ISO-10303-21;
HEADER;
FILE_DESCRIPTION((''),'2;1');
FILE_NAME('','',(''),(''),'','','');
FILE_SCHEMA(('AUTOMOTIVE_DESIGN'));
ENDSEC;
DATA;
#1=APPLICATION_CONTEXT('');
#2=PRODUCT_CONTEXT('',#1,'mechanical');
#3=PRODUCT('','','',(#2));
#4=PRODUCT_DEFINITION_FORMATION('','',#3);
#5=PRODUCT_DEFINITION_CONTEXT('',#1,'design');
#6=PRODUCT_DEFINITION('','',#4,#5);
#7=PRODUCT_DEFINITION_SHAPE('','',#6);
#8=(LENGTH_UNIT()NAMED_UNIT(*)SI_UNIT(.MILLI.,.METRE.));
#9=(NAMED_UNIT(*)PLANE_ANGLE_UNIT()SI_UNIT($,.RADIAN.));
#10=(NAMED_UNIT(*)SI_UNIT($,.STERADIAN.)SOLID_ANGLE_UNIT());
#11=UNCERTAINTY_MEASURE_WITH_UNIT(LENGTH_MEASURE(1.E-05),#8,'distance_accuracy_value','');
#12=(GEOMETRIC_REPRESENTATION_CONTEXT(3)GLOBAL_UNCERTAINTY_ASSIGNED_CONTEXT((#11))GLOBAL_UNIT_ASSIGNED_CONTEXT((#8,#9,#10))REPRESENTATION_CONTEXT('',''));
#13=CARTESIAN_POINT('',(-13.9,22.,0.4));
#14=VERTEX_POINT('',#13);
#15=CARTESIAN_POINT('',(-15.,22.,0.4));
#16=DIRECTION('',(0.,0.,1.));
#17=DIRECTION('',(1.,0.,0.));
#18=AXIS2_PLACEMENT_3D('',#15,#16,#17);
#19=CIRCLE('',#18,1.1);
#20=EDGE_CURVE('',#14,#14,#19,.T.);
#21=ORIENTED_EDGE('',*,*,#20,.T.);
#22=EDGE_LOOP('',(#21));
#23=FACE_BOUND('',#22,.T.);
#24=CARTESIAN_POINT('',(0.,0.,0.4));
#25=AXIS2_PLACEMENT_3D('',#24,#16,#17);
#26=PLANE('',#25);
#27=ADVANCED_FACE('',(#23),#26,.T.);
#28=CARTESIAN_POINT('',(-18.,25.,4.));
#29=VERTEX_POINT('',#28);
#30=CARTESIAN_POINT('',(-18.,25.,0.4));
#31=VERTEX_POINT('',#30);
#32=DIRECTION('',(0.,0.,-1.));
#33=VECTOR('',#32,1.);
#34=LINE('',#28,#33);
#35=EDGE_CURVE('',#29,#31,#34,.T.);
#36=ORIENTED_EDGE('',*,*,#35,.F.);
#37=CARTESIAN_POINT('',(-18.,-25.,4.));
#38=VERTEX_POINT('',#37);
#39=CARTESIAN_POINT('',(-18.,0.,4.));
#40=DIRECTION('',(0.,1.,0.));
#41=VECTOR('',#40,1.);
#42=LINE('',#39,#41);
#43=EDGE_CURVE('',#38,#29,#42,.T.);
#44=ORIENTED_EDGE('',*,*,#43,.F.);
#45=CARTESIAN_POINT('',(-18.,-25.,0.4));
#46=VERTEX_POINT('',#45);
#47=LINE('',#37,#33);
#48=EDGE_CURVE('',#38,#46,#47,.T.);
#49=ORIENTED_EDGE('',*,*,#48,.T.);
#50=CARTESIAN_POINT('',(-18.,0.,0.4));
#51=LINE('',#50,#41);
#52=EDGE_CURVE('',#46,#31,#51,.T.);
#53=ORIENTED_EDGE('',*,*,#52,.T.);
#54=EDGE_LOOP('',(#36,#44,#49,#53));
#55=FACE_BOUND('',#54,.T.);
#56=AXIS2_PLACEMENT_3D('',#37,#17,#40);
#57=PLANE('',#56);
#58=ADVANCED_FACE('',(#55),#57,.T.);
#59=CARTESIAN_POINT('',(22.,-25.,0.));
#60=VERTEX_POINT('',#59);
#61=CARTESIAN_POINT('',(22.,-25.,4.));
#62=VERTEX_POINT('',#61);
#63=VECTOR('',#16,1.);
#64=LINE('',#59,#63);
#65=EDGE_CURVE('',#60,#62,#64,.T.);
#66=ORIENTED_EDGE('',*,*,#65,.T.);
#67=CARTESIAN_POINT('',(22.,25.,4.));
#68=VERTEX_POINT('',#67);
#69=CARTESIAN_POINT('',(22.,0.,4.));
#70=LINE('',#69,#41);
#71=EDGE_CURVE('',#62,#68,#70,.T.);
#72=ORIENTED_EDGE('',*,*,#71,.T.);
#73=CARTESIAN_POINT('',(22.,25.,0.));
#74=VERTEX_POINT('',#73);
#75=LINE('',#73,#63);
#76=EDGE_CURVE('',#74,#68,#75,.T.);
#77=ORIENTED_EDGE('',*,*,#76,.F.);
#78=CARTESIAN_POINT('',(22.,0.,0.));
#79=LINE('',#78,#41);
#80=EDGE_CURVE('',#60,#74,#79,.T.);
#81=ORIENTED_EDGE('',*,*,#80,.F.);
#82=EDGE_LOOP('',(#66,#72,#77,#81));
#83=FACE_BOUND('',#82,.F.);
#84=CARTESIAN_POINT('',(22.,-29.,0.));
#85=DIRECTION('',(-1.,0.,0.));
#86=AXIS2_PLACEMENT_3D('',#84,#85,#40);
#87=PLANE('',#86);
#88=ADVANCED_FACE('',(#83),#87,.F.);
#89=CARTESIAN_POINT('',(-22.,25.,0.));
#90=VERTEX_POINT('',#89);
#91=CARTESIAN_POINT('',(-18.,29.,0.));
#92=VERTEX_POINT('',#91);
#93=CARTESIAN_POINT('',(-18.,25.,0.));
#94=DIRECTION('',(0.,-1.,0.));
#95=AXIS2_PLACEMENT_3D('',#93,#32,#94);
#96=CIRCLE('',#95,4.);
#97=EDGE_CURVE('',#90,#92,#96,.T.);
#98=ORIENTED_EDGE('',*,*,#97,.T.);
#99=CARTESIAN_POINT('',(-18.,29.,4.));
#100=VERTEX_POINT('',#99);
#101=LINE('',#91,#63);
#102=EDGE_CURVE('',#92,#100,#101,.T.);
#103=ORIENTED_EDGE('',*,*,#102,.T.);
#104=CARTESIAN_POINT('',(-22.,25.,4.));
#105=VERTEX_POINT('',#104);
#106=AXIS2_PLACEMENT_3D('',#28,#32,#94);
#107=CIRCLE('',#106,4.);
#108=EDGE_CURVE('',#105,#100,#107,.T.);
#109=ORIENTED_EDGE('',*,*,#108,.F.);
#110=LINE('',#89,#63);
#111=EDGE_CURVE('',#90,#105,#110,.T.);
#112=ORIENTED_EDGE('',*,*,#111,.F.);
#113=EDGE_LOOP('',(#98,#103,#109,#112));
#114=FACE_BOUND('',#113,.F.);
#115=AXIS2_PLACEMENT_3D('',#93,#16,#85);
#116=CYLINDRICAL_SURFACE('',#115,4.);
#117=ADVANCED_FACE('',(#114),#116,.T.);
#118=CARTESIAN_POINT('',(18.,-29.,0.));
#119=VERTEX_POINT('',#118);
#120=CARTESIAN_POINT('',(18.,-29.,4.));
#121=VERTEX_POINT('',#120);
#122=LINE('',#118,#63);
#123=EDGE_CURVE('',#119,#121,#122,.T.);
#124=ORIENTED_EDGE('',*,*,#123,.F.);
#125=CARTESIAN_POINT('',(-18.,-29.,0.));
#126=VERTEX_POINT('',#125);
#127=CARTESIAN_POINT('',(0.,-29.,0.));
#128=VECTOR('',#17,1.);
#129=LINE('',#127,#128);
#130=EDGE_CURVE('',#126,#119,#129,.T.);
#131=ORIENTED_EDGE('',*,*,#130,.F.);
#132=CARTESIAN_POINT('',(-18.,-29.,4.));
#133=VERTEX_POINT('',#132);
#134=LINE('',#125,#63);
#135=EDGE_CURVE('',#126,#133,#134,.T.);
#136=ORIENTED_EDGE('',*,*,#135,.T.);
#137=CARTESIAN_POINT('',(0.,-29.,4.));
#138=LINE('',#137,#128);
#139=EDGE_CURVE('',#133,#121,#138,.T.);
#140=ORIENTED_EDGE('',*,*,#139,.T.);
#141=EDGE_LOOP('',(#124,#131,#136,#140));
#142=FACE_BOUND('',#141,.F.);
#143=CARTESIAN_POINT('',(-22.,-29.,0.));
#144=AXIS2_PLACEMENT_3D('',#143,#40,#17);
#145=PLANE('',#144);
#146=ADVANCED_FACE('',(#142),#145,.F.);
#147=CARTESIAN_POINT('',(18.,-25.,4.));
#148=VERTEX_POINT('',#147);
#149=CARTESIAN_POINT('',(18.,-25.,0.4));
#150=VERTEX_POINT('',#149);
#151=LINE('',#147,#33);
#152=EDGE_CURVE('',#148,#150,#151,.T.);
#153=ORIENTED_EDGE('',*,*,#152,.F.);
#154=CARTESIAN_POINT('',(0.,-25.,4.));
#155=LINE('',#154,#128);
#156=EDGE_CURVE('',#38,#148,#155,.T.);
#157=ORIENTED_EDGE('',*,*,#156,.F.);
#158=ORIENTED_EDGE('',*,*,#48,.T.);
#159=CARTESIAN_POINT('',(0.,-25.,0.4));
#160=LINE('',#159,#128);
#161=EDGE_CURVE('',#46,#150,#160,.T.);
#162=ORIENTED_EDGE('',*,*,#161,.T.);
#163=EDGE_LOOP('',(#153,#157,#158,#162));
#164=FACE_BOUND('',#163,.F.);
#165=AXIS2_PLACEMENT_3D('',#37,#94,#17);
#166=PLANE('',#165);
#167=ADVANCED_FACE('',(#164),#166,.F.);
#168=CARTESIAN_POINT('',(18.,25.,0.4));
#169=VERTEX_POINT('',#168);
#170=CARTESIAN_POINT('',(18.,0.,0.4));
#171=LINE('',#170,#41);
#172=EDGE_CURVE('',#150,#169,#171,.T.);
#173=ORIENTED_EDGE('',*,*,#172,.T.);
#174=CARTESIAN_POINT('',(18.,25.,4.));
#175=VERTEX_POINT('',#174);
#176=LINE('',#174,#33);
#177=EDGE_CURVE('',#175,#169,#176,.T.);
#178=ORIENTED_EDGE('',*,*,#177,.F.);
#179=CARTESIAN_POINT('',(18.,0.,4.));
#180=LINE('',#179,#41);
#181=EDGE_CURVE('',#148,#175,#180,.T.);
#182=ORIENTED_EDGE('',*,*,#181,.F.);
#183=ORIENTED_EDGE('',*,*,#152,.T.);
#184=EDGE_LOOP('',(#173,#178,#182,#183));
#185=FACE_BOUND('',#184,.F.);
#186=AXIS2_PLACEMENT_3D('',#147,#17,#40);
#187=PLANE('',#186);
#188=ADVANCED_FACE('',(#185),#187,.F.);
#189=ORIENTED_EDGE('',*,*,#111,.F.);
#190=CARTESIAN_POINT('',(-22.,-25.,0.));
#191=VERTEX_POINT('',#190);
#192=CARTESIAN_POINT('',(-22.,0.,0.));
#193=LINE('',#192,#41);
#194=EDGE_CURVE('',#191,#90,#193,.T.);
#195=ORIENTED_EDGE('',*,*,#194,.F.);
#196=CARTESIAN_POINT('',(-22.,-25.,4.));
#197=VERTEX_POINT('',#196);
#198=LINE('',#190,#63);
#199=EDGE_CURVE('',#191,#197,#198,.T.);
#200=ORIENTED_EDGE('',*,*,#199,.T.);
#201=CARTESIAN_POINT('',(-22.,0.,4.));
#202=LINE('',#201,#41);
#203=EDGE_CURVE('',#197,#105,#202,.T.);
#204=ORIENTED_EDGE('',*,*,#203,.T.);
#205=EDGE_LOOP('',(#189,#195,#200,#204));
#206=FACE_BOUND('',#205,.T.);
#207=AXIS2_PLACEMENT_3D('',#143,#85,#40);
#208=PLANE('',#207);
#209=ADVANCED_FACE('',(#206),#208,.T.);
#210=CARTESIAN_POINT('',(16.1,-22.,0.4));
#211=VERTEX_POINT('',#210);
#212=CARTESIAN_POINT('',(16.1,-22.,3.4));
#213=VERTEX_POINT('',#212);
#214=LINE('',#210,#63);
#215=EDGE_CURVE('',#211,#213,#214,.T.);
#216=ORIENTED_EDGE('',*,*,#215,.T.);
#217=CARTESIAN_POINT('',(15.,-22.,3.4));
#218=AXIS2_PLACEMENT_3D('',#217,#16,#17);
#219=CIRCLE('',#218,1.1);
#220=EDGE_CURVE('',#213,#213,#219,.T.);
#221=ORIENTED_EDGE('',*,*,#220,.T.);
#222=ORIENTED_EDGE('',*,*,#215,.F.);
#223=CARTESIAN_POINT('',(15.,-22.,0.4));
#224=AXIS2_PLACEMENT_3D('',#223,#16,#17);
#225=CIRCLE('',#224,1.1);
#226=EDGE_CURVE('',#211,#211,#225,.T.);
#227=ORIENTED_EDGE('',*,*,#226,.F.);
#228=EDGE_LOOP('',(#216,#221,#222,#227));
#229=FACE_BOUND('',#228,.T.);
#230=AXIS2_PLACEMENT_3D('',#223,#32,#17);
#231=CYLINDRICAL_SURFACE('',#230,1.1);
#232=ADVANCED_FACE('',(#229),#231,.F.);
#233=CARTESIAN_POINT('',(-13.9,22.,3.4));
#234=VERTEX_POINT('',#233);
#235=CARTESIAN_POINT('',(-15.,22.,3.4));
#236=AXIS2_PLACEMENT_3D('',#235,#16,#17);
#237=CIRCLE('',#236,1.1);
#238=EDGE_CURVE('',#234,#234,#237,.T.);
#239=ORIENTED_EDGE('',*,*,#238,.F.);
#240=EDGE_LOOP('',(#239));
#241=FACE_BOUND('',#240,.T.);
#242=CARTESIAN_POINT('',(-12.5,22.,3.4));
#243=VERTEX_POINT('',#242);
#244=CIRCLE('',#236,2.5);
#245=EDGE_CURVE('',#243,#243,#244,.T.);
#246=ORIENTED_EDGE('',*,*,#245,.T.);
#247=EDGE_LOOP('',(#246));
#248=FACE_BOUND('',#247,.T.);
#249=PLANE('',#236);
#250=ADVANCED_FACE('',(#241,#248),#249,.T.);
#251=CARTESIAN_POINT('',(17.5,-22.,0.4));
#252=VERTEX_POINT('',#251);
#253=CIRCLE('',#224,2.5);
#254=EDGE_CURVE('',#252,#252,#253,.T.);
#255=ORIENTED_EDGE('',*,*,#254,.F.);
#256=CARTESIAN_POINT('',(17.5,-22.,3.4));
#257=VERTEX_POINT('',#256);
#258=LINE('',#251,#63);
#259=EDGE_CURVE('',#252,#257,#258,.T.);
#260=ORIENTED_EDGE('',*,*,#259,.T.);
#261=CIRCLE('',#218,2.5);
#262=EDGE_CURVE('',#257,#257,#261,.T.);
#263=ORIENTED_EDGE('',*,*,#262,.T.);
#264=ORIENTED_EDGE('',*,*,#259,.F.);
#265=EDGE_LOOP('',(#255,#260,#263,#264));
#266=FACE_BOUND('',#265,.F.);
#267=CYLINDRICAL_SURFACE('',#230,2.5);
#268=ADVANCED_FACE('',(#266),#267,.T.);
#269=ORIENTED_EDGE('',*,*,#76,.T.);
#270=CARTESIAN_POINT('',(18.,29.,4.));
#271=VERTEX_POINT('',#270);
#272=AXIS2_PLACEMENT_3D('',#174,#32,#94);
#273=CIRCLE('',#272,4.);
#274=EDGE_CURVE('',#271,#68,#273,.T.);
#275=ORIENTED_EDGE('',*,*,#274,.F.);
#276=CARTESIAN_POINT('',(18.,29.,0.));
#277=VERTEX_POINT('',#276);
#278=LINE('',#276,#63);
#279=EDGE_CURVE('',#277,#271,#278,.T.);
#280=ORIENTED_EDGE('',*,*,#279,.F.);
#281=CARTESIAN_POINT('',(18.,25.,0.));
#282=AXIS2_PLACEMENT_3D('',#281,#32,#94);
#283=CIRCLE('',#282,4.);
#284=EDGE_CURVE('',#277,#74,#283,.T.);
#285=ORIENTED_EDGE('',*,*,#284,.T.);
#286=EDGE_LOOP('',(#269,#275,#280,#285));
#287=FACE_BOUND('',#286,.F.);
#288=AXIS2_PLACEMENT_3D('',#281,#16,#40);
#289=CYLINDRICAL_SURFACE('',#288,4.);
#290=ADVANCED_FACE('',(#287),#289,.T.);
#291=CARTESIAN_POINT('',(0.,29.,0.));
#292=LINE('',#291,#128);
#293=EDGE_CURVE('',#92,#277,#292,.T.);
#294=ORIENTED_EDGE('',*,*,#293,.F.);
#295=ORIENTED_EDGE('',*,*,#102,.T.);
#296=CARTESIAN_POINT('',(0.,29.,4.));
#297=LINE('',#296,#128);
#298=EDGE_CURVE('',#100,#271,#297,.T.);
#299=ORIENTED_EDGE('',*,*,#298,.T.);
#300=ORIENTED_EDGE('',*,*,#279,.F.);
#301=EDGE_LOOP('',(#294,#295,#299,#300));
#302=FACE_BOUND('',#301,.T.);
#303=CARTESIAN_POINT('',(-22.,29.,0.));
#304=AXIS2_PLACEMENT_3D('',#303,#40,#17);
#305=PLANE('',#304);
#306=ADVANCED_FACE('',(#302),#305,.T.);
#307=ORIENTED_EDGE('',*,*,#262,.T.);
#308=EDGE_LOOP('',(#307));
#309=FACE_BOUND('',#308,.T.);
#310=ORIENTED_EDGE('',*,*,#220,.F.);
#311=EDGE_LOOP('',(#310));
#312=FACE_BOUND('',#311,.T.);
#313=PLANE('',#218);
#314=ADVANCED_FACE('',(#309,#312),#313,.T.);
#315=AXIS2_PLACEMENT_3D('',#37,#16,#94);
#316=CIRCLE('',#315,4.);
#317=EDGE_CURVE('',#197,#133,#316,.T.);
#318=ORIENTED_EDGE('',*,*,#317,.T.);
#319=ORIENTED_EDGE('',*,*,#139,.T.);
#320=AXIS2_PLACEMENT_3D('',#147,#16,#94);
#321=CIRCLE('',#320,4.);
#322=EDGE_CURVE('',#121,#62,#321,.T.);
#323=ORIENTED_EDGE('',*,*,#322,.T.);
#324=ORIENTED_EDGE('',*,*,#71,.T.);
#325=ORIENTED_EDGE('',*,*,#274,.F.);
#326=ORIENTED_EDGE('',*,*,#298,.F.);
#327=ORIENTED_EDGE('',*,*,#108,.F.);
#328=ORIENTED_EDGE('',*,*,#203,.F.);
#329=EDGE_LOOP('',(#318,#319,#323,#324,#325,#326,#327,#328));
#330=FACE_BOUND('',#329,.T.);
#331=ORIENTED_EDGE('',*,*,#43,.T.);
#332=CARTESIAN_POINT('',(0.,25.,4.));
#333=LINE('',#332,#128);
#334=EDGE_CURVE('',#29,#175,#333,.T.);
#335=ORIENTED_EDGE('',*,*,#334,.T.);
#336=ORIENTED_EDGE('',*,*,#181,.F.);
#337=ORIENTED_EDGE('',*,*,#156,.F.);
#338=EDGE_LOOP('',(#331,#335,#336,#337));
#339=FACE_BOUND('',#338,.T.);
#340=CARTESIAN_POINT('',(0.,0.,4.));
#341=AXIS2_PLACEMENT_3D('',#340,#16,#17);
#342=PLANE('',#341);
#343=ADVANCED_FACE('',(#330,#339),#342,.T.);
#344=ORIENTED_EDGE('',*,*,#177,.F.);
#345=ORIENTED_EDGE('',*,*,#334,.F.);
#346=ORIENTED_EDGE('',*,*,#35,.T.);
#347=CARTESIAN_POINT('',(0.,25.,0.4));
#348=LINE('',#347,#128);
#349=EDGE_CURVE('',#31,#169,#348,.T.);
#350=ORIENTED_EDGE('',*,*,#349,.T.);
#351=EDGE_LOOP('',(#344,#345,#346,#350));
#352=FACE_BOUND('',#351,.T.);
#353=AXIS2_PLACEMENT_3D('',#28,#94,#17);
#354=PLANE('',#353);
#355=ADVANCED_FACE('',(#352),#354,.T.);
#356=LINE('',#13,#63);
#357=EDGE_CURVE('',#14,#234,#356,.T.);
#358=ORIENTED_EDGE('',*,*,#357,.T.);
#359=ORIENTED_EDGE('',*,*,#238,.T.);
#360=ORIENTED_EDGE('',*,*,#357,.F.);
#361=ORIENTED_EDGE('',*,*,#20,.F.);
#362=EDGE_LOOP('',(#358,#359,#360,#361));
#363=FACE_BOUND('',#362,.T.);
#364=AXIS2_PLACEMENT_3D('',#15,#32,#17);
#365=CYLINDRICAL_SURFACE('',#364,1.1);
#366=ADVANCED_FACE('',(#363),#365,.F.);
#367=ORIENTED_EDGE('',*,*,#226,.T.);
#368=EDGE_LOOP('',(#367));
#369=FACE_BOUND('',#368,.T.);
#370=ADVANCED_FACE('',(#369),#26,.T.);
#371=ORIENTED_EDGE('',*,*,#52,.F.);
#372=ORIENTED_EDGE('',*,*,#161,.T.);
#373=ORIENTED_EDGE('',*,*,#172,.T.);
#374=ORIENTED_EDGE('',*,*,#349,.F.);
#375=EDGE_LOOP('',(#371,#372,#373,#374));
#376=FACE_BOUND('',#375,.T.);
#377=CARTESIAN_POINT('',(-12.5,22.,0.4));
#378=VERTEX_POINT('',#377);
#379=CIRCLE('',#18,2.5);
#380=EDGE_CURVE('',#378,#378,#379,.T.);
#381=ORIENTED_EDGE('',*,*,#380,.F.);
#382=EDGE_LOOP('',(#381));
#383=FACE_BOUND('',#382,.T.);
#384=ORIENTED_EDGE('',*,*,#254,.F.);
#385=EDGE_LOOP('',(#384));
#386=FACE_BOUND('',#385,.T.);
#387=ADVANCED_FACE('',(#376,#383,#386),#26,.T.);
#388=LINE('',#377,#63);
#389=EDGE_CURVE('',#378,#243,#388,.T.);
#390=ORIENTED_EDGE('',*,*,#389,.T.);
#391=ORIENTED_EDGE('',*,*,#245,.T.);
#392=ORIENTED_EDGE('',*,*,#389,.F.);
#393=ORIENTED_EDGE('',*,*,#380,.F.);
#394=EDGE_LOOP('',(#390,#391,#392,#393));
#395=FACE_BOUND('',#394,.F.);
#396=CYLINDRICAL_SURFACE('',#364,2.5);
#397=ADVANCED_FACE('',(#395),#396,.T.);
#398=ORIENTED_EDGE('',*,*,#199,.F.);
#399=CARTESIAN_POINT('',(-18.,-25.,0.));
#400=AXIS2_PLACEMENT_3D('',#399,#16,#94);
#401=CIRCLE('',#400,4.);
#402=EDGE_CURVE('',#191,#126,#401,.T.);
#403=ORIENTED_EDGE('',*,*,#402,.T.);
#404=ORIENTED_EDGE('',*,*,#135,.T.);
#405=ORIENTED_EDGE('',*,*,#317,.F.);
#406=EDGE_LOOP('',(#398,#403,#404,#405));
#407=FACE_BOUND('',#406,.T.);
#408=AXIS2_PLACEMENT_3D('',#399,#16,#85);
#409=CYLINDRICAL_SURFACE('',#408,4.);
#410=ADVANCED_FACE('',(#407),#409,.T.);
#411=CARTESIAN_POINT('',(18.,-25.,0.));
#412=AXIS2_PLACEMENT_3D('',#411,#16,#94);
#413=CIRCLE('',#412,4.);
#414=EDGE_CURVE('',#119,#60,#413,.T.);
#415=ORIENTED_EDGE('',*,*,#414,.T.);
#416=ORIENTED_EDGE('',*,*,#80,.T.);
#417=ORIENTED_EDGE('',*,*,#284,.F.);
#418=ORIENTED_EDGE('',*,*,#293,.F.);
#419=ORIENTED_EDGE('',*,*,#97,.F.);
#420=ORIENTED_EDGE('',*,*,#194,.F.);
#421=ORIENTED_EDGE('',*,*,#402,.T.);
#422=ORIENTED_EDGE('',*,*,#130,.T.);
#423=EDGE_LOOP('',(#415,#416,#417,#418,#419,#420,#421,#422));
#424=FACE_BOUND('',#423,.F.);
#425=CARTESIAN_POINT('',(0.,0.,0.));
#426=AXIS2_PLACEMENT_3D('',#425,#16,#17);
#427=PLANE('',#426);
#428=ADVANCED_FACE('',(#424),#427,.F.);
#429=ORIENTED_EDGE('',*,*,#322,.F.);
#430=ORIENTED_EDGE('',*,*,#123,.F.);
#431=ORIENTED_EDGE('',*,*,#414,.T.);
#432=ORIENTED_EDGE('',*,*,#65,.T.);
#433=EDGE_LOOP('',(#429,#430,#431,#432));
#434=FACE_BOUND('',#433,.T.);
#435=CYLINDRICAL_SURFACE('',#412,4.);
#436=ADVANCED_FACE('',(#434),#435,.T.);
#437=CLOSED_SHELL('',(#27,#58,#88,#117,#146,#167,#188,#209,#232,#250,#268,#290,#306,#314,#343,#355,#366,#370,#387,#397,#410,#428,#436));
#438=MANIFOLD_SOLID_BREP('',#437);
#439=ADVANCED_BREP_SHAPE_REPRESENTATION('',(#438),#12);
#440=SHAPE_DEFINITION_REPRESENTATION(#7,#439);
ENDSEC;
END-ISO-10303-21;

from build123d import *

# Parameters (mm, degrees)
SKETCH_W      = 44
SKETCH_H      = 58
PAD_DEPTH     = 4
SKETCH001_W   = 36
SKETCH001_H   = 50
POCKET_DEPTH  = 3.6
SKETCH002_R   = 2.5
SKETCH002_R_2 = 1.1
PAD001_DEPTH  = 3
FILLET_R      = 4


with BuildPart() as part:
    # Sketch → Pad (new body)
    with BuildSketch(Plane.XY):
        Rectangle(SKETCH_W, SKETCH_H)
    extrude(amount=PAD_DEPTH)

    # Sketch001 (on Face6 of Pad) → Pocket (cut)
    with BuildSketch(Plane.XY.offset(4)):
        Rectangle(SKETCH001_W, SKETCH001_H)
    extrude(amount=-POCKET_DEPTH, mode=Mode.SUBTRACT)

    # Sketch002 (on Face11 of Pocket) → Pad001 (join)
    with BuildSketch(Plane.XY.offset(0.4)):
        with Locations((-15, 22)):
            Circle(SKETCH002_R)
        with Locations((-15, 22)):
            Circle(SKETCH002_R_2, mode=Mode.SUBTRACT)
        with Locations((15, -22)):
            Circle(SKETCH002_R)
        with Locations((15, -22)):
            Circle(SKETCH002_R_2, mode=Mode.SUBTRACT)
    extrude(amount=PAD001_DEPTH)

    # Fillet
    fillet_edges = [part.edges().sort_by_distance(p)[0] for p in [
        (-22, -29, 2),
        (22, -29, 2),
        (22, 29, 2),
        (-22, 29, 2),
    ]]
    fillet(fillet_edges, radius=FILLET_R)


solid = part.part
